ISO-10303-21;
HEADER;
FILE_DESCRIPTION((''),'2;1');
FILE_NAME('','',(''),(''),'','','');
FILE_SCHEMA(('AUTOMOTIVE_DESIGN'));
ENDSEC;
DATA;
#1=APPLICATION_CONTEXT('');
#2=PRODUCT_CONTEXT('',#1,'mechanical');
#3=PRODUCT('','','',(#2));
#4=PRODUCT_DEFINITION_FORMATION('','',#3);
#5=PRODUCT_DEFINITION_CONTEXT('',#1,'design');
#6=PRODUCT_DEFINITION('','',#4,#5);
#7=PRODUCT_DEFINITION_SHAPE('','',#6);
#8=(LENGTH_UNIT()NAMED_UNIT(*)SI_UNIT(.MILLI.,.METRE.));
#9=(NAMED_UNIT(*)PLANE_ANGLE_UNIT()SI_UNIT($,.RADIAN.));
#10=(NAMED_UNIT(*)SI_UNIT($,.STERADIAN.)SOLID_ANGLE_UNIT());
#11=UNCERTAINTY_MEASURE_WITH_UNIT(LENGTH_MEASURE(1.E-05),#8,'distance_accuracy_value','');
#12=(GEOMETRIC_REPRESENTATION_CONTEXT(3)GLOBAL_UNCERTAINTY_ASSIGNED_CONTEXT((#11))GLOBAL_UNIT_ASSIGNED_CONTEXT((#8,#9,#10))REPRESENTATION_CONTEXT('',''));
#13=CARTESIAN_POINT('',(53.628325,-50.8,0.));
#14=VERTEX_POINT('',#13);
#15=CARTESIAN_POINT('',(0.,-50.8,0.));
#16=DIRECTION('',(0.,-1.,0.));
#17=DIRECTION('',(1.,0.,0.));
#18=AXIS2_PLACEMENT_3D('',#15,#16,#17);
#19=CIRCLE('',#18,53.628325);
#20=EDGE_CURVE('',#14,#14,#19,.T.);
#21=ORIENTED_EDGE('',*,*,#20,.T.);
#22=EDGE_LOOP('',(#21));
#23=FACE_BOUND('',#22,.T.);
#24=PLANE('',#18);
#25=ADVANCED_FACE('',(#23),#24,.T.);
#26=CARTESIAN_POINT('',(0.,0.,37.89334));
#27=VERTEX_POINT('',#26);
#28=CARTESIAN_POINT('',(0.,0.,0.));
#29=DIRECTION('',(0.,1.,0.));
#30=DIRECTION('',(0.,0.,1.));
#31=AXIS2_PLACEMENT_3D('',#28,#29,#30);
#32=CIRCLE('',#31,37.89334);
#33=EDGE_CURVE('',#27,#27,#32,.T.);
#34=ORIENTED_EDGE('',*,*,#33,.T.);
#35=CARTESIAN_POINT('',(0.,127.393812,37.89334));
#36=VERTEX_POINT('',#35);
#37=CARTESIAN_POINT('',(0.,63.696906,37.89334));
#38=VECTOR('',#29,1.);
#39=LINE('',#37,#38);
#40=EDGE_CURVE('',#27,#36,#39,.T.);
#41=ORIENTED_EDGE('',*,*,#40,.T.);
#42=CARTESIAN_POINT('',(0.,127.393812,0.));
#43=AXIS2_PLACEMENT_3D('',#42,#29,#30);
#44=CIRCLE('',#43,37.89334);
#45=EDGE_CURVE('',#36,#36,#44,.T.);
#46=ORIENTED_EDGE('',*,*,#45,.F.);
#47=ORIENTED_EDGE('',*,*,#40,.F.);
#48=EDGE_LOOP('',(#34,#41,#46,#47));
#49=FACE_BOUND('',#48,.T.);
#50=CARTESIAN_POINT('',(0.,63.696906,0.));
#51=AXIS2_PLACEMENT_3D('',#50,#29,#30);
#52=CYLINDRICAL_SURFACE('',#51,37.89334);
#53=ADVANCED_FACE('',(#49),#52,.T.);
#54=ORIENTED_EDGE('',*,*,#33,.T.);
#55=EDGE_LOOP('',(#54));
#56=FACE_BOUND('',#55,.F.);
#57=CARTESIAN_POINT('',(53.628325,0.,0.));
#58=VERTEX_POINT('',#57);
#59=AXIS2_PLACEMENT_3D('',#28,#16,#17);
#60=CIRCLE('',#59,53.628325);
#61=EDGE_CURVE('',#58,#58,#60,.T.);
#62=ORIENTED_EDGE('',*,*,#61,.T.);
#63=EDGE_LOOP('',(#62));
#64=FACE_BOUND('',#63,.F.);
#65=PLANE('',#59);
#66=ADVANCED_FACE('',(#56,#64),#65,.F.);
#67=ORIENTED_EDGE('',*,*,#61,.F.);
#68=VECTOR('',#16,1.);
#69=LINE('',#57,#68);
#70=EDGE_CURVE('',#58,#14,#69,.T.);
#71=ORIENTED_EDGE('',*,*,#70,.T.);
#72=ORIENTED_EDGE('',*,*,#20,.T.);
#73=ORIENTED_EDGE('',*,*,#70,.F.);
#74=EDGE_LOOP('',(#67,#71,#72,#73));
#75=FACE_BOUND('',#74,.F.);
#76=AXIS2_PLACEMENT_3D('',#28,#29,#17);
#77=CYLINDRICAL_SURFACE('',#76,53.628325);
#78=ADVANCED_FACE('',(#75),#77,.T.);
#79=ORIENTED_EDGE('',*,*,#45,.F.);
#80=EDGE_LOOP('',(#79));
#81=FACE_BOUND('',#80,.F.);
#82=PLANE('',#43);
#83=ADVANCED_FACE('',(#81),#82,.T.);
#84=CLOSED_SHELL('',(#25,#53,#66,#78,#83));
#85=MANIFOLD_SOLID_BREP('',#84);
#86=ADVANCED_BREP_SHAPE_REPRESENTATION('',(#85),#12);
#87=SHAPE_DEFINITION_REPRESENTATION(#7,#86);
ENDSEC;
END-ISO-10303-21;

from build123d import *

# Parameters (mm, degrees)
F0_R     = 53.628325
F1_DEPTH = 50.8
F2_W     = 127.393812
F2_H     = 37.89334


with BuildPart() as f1:
    # F0 (on Front) → F1 (new body)
    with BuildSketch(Plane.XZ):
        Circle(F0_R)
    extrude(amount=F1_DEPTH)

    # F2 (on Right) → F3 (revolve)
    with BuildSketch(Plane.YZ):
        with Locations((63.696906, 18.94667)):
            Rectangle(F2_W, F2_H)
    revolve(axis=Axis((0, 63.696906, 0), (0, 1, 0)))


solid = f1.part
